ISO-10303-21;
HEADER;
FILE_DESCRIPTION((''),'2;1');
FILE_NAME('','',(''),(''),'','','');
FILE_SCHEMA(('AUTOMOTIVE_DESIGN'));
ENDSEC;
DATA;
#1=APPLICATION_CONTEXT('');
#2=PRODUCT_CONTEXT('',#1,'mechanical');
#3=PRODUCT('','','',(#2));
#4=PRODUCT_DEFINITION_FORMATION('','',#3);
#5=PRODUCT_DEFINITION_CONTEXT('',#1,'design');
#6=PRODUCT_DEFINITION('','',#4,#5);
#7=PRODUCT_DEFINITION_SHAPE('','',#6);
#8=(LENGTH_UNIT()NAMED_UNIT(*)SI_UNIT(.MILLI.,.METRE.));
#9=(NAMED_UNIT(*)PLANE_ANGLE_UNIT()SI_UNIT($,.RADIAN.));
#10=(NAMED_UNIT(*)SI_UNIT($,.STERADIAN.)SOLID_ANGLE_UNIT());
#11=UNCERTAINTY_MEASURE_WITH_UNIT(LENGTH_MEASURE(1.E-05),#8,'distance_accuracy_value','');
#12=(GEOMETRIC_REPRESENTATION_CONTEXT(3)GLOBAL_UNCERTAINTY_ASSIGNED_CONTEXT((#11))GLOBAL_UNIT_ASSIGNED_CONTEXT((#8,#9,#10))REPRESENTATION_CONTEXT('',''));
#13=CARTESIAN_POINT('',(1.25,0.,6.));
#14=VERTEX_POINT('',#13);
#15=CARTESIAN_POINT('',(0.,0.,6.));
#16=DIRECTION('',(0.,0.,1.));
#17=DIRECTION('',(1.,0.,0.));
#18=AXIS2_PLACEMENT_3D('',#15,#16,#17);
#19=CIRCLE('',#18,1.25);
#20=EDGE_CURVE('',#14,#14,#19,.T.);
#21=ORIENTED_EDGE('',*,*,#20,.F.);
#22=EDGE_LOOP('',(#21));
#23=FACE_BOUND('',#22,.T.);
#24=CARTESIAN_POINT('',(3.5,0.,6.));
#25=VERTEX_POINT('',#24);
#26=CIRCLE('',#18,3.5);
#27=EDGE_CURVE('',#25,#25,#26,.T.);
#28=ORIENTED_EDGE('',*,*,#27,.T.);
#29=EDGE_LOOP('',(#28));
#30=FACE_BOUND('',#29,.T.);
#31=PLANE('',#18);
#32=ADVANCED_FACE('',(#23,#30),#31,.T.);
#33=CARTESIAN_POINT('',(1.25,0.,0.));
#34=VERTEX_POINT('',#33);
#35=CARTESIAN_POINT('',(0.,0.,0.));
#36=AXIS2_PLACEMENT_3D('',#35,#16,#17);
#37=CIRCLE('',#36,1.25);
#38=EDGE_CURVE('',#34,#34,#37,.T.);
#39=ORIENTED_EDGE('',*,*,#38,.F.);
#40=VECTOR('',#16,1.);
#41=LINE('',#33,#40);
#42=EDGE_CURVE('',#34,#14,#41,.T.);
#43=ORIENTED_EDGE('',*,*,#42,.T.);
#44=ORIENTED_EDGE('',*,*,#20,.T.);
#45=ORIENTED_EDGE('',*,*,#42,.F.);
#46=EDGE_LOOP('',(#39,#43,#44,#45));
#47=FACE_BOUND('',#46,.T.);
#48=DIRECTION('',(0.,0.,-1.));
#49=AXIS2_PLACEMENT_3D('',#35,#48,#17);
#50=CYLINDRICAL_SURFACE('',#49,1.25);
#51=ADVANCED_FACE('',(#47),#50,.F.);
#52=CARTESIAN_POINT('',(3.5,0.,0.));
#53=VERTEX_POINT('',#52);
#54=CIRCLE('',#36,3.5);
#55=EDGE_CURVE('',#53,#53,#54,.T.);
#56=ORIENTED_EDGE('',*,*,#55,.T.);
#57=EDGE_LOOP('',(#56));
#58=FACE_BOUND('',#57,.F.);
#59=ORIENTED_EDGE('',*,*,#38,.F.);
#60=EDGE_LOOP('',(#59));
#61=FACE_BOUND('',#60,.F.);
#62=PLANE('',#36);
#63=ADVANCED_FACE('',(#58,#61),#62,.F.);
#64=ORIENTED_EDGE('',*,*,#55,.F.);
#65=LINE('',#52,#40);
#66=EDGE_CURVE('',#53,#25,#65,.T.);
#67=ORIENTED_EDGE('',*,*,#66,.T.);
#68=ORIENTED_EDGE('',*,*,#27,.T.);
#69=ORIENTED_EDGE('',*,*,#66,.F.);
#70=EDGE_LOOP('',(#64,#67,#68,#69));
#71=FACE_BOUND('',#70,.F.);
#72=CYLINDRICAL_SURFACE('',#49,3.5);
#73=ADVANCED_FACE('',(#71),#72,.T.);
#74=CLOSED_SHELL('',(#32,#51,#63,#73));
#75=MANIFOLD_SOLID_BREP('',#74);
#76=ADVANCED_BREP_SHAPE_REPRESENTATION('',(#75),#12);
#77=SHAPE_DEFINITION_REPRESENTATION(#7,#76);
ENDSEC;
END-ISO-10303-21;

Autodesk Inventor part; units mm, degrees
ref_plane "YZ Plane" through (0, 0, 0) normal (1, 0, 0) x (0, 1, 0)
ref_plane "XZ Plane" through (0, 0, 0) normal (0, 1, 0) x (-1, 0, 0)
ref_plane "XY Plane" through (0, 0, 0) normal (0, 0, 1) x (1, 0, 0)
sketch "Эскиз1" plane through (0, 0, 0) normal (0, 0, 1) x (1, 0, 0)
  circle A0 centre (0, 0) radius 1.25
  circle A1 centre (0, 0) radius 3.5
  dimension "d0" = 2.5
  dimension "d1" = 7
extrude "Выдавливание1" add sketch "Эскиз1" along normal blind 6
properties part number "Стойка_6мм"
